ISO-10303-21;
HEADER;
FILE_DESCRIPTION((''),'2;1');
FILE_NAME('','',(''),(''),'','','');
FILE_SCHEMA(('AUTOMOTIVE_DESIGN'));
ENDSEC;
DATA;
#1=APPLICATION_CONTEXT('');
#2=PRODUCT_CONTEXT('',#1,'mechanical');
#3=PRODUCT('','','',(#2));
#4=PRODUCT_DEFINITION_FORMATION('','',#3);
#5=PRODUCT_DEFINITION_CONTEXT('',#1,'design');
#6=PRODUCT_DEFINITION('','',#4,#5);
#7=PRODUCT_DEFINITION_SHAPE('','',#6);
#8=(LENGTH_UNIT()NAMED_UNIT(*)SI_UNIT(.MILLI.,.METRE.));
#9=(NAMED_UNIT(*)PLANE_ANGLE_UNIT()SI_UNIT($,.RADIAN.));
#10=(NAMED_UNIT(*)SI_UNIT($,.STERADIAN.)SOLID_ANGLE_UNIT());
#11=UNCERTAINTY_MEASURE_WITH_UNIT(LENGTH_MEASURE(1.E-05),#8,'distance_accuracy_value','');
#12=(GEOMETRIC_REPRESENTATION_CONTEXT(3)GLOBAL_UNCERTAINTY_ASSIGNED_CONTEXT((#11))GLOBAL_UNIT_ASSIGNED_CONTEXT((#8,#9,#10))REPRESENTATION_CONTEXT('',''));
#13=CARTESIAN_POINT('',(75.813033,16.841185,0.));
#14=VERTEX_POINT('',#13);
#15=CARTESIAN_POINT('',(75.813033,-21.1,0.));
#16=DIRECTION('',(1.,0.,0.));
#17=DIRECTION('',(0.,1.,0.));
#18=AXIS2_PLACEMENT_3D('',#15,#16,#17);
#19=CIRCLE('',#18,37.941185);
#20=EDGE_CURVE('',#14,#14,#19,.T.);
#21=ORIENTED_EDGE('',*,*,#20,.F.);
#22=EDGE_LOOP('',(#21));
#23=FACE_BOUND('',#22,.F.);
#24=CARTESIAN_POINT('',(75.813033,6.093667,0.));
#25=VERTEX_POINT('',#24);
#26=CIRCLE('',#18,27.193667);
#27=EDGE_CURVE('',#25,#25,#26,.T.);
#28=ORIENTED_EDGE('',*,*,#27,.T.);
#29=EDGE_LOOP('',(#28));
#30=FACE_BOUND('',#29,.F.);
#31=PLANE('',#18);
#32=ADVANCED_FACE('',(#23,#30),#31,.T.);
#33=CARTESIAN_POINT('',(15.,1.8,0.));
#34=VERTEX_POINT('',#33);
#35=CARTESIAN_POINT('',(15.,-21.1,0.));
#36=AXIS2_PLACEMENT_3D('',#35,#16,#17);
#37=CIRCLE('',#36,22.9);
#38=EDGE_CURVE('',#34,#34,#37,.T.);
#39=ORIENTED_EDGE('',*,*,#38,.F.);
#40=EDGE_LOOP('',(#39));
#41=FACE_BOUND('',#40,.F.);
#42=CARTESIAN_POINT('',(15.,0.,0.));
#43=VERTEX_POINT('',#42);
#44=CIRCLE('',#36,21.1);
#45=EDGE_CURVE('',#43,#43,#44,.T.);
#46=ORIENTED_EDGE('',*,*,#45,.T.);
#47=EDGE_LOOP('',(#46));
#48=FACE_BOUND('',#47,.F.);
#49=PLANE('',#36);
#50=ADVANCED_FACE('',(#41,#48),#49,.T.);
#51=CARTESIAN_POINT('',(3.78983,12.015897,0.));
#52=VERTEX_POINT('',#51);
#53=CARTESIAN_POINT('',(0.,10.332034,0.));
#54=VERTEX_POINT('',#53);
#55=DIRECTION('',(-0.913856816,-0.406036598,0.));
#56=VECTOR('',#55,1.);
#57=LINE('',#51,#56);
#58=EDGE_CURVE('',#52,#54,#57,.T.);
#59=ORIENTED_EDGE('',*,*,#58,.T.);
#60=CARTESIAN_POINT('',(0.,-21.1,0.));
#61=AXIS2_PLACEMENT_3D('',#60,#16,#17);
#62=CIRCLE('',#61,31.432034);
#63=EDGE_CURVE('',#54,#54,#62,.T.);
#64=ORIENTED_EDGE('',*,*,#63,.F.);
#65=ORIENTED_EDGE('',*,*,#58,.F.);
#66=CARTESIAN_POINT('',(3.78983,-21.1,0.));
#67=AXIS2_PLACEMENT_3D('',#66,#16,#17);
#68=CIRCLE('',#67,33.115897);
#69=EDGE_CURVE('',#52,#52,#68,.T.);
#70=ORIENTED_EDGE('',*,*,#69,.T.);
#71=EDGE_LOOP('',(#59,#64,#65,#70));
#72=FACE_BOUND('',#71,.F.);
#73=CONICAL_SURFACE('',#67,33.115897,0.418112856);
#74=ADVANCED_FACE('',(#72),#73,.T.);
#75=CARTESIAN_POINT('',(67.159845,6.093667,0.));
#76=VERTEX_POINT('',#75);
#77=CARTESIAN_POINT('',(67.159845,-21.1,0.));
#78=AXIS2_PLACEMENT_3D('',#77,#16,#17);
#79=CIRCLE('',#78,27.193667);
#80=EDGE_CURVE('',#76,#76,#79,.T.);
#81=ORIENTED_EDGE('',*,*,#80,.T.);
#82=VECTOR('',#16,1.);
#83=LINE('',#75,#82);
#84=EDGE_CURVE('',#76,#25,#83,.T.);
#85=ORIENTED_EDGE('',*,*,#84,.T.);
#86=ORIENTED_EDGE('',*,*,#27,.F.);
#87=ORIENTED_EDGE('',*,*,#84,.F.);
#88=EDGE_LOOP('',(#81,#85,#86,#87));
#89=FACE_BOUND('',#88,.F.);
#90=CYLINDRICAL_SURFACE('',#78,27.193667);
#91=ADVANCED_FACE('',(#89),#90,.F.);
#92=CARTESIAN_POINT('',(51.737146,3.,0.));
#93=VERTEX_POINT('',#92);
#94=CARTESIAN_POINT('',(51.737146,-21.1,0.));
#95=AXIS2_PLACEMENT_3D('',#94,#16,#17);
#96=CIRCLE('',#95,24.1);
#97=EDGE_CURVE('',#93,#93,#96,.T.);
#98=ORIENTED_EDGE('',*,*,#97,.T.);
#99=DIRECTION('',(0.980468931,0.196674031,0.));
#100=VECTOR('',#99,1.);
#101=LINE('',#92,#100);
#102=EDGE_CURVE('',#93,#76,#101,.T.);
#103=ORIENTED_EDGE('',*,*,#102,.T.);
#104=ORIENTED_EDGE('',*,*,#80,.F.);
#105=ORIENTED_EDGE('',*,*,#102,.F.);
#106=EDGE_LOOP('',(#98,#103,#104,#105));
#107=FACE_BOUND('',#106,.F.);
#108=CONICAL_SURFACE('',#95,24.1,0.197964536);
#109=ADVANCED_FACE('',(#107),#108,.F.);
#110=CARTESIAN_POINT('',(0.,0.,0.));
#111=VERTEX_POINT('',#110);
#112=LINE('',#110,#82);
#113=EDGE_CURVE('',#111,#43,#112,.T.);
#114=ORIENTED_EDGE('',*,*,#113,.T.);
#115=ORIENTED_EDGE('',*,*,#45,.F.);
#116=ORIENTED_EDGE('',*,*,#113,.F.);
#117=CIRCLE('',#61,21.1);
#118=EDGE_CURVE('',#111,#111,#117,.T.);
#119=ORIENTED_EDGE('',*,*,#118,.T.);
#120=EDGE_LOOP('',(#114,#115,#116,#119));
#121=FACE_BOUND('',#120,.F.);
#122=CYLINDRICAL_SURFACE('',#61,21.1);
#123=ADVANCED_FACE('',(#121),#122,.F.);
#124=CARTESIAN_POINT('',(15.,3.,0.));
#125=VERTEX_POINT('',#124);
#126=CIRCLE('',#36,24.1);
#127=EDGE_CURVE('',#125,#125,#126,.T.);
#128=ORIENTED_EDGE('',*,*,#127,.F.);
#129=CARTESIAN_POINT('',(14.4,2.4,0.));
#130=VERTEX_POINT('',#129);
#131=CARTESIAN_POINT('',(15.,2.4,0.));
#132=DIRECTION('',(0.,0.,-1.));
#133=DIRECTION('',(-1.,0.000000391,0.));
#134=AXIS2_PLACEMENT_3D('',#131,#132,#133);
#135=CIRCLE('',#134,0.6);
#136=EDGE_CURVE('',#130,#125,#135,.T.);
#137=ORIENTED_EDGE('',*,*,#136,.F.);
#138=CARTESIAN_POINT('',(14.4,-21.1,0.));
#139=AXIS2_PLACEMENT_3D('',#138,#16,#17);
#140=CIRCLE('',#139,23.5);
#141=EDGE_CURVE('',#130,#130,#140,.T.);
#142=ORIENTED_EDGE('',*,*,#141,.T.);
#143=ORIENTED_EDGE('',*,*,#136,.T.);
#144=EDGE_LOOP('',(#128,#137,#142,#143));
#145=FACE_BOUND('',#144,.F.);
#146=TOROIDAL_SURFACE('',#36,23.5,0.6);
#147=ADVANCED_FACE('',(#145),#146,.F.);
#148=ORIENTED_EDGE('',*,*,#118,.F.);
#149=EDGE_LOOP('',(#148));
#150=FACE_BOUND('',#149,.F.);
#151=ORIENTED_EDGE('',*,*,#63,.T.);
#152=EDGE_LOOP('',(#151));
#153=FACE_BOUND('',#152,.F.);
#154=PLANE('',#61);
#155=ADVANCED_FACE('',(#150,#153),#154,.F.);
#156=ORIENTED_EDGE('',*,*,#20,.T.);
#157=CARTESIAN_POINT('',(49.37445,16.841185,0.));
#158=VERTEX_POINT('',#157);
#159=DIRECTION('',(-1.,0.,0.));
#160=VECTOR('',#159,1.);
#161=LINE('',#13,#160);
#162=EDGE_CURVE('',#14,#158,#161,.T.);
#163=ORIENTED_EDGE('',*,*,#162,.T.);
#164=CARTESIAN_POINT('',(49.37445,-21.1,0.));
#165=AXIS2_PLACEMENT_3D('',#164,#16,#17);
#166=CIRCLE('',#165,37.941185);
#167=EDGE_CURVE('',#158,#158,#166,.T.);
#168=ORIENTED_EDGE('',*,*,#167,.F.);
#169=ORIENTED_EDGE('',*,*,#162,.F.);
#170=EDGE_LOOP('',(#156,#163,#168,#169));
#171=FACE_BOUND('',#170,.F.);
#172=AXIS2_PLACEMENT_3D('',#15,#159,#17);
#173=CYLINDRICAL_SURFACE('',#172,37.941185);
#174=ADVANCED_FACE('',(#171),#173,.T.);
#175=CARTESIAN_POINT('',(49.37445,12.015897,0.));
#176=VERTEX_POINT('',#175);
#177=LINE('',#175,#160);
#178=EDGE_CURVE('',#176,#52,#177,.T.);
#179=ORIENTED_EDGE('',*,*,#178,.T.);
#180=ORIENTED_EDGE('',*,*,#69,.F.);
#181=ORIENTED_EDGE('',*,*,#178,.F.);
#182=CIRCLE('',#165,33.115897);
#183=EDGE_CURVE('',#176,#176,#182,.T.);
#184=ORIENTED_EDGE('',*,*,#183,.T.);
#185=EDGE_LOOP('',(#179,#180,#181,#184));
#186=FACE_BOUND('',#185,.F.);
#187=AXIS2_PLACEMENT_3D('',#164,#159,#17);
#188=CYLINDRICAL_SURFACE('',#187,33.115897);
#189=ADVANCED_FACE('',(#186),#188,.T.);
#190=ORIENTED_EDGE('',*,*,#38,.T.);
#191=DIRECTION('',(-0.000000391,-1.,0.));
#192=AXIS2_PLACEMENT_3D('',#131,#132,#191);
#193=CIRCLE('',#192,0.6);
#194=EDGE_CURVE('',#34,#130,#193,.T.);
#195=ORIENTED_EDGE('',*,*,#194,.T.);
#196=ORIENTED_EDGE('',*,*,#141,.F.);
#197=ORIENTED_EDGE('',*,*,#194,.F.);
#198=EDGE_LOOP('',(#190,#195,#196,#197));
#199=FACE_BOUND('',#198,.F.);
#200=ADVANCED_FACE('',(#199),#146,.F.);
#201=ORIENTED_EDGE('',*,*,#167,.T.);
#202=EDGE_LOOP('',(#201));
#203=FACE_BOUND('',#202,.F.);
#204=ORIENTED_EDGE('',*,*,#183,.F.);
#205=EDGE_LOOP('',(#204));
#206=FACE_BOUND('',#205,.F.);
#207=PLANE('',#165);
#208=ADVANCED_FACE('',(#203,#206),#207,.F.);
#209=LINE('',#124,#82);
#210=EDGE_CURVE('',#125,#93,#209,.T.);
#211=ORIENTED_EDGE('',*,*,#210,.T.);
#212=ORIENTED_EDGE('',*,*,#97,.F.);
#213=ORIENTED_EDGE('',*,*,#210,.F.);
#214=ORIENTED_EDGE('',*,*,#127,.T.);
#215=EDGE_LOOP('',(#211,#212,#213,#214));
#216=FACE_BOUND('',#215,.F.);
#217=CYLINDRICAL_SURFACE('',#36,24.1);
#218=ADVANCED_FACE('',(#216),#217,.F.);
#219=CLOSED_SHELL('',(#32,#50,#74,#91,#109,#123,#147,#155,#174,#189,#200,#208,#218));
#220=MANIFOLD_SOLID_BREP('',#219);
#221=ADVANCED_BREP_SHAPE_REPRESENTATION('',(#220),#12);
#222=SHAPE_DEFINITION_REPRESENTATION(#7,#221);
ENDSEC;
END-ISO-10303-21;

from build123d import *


with BuildPart() as f1:
    # F0 (on Top) → F1 (revolve)
    with BuildSketch(Plane.XY):
        with BuildLine():
            Line((0, 10.332034), (0, 0))
            Line((0, 0), (15, 0))
            Line((15, 0), (15, 1.8))
            ThreePointArc((15, 1.8), (14.575736, 1.975736), (14.4, 2.4))
            ThreePointArc((14.4, 2.4), (14.575736, 2.824264), (15, 3))
            Line((15, 3), (51.737146, 3))
            Line((51.737146, 3), (67.159845, 6.093667))
            Line((67.159845, 6.093667), (75.813033, 6.093667))
            Line((75.813033, 6.093667), (75.813033, 16.841185))
            Line((75.813033, 16.841185), (49.37445, 16.841185))
            Line((49.37445, 16.841185), (49.37445, 12.015897))
            Line((49.37445, 12.015897), (3.78983, 12.015897))
            Line((3.78983, 12.015897), (0, 10.332034))
        make_face()
    revolve(axis=Axis((26.506836, -21.1, 0), (1, 0, 0)))


solid = f1.part
